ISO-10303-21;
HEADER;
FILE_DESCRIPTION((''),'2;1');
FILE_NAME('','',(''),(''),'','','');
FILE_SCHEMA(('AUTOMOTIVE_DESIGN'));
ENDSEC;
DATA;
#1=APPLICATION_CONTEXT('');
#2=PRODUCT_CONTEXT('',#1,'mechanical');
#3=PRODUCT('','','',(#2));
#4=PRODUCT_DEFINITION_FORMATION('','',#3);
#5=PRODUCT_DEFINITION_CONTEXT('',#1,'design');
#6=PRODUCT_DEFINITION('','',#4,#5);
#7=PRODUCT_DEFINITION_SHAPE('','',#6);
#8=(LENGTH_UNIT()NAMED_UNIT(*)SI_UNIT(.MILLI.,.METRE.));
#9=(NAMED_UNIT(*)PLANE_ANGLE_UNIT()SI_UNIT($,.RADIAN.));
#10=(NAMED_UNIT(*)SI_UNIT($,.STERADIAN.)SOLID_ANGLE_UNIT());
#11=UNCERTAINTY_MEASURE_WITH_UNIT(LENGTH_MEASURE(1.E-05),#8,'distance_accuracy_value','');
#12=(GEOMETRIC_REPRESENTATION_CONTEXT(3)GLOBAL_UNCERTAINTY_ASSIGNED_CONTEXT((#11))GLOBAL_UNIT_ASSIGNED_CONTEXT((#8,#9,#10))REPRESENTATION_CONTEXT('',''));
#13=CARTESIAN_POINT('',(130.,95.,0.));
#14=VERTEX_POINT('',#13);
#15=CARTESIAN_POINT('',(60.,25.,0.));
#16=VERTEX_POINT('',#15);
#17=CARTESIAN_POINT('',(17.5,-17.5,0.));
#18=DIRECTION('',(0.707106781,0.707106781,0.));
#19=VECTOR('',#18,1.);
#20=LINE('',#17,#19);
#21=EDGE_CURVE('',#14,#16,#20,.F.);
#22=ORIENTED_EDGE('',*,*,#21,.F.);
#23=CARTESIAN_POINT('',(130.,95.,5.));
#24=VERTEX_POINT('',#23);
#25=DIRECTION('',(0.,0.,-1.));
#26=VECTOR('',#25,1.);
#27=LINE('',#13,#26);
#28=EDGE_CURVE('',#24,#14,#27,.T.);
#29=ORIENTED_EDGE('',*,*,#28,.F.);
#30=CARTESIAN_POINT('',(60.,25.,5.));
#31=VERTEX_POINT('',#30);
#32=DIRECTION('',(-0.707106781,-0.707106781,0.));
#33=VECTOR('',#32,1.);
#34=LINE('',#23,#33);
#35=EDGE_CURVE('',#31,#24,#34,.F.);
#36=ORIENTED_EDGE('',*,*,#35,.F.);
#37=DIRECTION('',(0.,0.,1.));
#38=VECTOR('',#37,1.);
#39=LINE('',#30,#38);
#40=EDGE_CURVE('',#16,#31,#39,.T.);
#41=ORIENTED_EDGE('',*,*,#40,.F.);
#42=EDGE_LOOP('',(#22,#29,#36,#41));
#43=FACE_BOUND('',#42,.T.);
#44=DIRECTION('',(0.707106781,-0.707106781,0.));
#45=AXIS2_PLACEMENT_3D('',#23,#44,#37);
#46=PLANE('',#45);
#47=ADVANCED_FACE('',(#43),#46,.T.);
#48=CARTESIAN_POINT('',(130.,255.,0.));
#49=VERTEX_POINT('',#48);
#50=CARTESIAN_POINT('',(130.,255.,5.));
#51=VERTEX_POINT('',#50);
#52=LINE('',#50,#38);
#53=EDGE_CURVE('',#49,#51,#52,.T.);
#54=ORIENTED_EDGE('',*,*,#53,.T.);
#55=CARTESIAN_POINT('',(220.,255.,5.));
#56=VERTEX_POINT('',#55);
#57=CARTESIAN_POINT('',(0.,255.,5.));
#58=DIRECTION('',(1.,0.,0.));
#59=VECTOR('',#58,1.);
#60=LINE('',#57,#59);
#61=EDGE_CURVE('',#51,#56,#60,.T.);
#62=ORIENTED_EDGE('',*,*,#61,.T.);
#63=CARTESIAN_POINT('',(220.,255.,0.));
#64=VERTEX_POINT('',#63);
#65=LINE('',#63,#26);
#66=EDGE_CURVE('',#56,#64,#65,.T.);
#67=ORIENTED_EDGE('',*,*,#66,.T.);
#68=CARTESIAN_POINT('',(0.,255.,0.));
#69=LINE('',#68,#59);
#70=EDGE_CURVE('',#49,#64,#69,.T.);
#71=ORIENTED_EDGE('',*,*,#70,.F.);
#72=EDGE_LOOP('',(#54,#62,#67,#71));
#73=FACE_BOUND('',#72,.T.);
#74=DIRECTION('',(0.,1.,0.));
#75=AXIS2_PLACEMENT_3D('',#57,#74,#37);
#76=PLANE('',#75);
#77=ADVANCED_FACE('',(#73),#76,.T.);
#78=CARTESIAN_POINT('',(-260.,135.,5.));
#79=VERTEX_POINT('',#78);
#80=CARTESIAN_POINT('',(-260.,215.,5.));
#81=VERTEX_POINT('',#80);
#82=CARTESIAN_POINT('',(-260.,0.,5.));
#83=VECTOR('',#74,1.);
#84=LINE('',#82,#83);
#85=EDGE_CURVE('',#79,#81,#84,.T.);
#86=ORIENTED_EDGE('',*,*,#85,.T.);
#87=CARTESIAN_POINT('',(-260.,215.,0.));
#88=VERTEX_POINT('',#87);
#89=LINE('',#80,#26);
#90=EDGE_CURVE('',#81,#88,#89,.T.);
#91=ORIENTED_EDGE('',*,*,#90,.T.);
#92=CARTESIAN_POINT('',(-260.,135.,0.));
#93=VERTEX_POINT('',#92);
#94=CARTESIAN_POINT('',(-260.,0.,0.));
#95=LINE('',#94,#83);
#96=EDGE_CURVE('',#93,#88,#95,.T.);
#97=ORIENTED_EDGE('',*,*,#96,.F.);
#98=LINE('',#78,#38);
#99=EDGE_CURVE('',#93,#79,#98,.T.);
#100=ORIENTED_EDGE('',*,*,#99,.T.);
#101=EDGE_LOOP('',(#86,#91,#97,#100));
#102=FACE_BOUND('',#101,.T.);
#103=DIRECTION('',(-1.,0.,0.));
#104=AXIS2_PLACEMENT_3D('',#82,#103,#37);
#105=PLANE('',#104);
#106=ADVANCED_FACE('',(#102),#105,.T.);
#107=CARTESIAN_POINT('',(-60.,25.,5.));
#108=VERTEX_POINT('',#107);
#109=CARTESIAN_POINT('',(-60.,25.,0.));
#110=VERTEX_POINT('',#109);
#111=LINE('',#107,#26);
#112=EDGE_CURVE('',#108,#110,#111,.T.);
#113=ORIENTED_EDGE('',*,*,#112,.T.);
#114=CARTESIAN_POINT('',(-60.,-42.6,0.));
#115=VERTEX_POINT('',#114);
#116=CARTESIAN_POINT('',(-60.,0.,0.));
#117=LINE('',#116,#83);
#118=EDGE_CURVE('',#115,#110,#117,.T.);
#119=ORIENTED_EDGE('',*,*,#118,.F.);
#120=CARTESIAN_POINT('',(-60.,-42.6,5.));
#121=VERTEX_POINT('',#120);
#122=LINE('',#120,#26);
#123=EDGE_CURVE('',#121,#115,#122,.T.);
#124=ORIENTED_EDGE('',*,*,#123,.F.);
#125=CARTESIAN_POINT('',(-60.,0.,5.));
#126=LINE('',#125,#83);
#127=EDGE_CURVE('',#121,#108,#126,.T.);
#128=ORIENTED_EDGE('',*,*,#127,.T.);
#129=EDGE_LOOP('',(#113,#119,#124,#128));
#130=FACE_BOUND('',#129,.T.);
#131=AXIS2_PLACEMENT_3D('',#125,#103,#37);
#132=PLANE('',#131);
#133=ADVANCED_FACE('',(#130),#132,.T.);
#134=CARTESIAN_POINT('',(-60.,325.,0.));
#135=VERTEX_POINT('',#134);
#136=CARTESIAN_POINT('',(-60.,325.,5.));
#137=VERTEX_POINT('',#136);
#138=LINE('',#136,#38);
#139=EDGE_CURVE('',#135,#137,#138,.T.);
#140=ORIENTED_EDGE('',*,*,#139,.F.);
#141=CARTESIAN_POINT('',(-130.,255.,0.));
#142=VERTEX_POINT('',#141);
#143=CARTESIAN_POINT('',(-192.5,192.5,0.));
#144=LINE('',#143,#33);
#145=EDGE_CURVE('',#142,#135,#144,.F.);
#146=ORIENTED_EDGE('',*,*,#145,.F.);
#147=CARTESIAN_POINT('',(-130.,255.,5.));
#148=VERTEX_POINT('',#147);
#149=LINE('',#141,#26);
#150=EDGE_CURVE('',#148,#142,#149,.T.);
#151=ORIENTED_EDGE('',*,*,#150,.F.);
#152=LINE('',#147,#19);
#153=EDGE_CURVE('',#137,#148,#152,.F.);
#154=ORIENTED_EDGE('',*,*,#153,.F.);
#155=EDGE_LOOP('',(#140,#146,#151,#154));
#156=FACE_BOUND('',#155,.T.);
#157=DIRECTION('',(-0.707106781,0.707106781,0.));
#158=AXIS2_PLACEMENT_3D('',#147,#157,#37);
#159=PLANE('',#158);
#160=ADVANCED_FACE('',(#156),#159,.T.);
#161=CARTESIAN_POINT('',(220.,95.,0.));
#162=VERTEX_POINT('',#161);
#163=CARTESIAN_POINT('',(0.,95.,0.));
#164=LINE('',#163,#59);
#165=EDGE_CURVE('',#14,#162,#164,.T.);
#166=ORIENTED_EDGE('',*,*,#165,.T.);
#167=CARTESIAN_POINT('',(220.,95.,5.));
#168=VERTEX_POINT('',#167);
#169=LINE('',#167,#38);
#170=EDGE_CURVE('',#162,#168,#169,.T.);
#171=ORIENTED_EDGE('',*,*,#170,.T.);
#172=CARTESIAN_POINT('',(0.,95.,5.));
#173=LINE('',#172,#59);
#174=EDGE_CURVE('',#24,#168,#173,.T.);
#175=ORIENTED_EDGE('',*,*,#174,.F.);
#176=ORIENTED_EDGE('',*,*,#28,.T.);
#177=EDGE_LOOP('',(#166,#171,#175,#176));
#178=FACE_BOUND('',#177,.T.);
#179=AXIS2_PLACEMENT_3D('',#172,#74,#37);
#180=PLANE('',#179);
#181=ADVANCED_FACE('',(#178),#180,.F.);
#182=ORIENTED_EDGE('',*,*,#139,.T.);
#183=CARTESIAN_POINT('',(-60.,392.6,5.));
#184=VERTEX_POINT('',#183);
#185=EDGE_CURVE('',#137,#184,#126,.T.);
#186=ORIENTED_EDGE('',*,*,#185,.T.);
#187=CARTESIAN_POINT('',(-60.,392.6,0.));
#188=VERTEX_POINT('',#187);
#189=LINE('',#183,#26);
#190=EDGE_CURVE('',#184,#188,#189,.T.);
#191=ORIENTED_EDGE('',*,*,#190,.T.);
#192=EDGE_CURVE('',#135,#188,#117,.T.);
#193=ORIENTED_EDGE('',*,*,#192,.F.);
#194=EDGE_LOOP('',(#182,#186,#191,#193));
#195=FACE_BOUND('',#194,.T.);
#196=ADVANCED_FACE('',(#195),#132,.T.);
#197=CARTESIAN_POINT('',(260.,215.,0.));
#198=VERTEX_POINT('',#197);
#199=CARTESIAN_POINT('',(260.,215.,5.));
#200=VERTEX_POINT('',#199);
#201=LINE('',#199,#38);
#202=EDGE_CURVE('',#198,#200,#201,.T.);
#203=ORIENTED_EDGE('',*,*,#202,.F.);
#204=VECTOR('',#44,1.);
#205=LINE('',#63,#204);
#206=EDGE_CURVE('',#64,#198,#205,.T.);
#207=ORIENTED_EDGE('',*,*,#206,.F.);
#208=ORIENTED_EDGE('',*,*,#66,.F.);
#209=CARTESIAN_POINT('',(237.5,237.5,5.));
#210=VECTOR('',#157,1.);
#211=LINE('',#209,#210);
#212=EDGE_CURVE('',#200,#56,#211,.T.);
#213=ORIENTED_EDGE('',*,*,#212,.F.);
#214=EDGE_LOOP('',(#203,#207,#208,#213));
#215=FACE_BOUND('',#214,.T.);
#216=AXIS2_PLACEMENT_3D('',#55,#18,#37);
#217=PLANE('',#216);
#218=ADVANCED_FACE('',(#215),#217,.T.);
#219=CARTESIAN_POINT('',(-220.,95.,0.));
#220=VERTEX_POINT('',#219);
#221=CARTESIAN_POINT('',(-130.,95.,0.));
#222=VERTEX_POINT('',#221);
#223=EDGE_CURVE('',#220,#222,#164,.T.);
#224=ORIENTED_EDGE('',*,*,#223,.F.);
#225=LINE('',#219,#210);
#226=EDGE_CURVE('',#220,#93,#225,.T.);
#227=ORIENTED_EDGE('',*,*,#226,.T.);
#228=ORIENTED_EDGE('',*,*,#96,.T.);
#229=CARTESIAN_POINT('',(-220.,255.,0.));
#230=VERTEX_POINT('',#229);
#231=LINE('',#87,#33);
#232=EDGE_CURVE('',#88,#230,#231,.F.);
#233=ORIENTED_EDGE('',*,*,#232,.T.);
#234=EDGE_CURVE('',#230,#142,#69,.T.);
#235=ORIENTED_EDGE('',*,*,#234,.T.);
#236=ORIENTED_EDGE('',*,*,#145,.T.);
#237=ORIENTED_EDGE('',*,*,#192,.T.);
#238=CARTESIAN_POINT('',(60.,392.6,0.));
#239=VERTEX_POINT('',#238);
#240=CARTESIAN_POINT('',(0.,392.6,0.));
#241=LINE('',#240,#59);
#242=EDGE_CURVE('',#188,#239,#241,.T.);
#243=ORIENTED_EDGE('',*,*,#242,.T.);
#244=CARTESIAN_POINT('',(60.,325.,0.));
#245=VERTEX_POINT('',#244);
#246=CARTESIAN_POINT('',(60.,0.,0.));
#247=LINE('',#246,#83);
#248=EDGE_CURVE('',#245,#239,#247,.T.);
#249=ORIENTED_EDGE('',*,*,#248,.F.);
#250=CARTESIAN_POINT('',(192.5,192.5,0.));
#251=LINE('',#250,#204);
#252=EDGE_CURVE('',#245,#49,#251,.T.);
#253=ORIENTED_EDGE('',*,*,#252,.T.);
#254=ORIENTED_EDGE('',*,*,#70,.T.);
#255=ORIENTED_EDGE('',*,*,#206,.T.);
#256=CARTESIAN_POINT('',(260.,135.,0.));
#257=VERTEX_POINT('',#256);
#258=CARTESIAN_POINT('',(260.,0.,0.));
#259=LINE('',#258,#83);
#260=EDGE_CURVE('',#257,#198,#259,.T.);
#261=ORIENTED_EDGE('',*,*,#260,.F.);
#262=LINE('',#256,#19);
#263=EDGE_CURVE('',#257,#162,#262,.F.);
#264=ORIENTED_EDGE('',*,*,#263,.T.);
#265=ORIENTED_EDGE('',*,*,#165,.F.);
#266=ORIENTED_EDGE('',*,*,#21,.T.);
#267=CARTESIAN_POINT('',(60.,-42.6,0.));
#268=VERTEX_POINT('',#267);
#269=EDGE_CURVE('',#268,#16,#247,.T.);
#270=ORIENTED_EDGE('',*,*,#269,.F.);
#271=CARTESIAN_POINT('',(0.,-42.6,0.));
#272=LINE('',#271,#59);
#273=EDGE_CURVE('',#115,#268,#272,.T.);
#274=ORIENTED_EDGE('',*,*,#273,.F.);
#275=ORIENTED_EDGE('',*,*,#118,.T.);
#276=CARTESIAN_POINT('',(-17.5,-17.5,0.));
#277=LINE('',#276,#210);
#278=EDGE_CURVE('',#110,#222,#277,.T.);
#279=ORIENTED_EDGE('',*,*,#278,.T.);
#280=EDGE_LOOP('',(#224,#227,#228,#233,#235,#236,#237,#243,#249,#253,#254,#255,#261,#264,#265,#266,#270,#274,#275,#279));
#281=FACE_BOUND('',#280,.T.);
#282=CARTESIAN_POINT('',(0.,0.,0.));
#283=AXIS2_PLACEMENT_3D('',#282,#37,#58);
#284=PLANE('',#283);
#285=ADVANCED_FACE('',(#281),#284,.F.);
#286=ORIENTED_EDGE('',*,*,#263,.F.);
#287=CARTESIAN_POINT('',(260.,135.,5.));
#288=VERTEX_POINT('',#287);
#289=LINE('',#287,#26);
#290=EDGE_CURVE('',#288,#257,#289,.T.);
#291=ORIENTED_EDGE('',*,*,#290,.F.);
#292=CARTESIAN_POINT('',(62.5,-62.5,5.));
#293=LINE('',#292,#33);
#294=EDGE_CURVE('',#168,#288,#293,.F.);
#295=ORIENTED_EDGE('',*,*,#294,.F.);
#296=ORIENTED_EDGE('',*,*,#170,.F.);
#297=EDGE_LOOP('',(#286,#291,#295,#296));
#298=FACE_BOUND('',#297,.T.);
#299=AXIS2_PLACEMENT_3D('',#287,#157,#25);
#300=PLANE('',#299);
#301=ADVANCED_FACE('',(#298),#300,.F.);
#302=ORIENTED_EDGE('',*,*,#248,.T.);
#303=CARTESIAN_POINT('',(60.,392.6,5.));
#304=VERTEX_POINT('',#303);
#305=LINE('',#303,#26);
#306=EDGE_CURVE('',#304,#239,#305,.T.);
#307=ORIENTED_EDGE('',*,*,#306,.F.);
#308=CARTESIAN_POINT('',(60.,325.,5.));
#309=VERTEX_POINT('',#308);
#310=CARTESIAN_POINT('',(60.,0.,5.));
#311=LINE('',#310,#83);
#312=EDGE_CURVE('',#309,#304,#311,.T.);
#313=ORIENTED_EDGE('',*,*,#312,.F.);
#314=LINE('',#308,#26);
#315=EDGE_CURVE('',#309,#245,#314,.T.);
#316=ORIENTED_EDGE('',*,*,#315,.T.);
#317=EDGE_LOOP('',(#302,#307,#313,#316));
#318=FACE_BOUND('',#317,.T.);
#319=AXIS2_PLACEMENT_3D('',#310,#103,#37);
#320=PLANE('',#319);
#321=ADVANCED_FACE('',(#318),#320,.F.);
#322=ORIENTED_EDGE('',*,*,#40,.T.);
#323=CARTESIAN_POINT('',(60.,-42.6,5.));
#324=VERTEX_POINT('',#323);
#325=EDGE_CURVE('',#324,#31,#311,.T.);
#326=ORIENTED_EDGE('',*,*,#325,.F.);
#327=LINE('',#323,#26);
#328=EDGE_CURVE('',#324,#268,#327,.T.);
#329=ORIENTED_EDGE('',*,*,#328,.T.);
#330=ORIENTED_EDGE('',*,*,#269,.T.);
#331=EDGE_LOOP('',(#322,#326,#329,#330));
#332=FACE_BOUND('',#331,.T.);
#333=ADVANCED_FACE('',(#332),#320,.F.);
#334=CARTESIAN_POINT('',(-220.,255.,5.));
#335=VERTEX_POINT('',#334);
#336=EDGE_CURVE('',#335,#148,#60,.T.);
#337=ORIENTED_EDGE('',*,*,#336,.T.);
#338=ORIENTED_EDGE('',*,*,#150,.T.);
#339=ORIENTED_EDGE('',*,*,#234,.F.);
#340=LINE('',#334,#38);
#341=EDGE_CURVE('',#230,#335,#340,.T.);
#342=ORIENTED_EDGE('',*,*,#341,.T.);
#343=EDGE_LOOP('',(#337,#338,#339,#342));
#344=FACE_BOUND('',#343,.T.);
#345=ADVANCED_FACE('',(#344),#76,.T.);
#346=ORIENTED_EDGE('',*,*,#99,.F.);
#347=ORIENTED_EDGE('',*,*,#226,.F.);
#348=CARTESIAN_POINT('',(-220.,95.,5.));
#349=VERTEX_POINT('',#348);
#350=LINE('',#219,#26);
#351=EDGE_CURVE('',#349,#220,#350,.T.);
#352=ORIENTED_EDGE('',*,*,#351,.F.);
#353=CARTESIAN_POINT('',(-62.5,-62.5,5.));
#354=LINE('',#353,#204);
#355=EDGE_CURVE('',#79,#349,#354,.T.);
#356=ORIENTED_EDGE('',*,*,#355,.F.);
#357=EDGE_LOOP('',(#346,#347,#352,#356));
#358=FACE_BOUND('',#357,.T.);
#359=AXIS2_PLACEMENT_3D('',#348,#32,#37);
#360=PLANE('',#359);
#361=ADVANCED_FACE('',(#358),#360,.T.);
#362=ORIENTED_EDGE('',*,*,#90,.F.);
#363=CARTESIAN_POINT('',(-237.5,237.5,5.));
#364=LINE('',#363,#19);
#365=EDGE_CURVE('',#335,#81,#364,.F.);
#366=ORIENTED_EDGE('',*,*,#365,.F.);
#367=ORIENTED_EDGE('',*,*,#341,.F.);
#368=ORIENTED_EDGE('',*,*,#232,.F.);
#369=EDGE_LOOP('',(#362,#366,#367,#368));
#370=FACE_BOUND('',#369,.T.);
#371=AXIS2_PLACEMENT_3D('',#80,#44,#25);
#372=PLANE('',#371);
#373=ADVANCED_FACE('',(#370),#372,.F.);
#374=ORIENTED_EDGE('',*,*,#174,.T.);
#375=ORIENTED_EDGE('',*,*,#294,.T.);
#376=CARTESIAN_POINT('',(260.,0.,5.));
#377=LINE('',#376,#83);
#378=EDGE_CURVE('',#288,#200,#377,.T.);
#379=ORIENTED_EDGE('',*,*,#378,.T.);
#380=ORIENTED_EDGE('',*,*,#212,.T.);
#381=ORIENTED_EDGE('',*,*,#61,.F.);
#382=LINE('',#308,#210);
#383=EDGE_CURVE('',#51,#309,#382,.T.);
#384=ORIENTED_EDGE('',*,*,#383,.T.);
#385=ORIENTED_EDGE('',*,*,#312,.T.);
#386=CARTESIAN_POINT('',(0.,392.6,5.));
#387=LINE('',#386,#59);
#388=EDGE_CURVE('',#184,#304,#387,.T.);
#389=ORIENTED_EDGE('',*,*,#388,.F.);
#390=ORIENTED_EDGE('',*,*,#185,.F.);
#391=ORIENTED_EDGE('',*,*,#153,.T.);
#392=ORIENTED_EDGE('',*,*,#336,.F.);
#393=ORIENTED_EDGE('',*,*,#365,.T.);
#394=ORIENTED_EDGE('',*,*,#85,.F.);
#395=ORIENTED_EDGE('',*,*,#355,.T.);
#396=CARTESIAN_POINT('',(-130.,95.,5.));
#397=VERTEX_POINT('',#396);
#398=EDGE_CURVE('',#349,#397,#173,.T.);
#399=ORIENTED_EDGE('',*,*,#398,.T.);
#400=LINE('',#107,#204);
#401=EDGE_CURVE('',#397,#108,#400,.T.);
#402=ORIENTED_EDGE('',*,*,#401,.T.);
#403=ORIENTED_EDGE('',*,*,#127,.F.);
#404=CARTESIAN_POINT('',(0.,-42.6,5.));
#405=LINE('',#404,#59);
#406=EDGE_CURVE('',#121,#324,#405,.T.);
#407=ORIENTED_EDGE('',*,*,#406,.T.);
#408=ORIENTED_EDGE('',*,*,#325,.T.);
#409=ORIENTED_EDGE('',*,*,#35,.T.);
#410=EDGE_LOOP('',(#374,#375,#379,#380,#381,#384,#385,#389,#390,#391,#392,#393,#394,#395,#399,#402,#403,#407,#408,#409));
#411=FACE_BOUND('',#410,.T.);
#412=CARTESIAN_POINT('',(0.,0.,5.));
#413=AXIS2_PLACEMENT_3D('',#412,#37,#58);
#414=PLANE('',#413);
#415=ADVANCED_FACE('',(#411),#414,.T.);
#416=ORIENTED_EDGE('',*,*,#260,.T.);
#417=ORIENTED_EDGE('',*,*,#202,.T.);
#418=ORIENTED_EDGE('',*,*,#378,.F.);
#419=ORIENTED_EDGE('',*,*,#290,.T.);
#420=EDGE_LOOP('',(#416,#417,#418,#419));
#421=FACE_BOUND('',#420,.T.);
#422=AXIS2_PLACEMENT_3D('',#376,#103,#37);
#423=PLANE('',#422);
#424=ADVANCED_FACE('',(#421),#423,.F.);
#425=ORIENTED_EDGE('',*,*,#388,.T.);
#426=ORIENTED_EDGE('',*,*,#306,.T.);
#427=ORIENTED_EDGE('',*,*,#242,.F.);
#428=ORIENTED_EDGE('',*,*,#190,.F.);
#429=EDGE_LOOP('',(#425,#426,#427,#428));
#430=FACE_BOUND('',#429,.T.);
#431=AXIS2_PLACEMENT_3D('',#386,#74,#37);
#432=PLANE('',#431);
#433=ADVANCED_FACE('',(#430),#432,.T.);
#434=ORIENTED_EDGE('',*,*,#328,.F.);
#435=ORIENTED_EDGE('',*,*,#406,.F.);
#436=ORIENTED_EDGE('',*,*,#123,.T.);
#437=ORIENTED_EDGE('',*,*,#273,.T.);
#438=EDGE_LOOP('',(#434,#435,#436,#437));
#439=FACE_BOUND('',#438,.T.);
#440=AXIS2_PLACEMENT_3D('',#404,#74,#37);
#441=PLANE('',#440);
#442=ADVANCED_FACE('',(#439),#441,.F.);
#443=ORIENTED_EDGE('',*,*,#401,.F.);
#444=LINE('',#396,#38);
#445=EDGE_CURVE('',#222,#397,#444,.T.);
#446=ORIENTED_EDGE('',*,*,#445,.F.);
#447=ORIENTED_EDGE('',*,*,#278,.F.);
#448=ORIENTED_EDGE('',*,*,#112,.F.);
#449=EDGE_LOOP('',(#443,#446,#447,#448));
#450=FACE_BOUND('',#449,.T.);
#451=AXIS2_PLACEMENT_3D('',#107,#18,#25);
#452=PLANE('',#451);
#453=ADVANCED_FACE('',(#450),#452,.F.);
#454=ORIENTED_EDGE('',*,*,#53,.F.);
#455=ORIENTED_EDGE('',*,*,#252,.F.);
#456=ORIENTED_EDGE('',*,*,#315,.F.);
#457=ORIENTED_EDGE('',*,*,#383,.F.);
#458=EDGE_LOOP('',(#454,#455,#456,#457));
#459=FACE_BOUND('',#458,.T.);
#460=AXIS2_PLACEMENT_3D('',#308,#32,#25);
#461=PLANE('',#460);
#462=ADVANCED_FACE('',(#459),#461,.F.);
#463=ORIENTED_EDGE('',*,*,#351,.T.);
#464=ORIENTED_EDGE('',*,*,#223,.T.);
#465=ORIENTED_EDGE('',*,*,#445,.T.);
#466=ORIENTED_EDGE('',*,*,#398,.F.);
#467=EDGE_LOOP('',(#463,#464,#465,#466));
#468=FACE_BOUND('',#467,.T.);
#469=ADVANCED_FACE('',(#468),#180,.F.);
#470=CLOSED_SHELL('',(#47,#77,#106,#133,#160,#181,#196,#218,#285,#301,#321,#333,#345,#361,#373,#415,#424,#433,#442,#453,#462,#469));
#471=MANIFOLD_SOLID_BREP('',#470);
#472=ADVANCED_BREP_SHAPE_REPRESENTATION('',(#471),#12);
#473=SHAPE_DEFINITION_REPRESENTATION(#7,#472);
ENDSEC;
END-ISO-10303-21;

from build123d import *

# Parameters (mm, degrees)
SKETCH1_W           = 120
SKETCH1_H           = 137.6
SKETCH1_W_2         = 200
SKETCH1_H_2         = 160
BOSS_EXTRUDE1_DEPTH = 5
CHAMFER1_SIZE       = 70
CHAMFER2_SIZE       = 40


with BuildPart() as part:
    # Sketch1 → Boss-Extrude1 (new body)
    with BuildSketch(Plane.XY):
        with Locations((0, 323.8)):
            Rectangle(SKETCH1_W, SKETCH1_H)
        with Locations((-160, 175)):
            Rectangle(SKETCH1_W_2, SKETCH1_H_2)
        with Locations((0, 175)):
            Rectangle(SKETCH1_W, SKETCH1_H_2)
        with Locations((160, 175)):
            Rectangle(SKETCH1_W_2, SKETCH1_H_2)
        with Locations((0, 26.2)):
            Rectangle(SKETCH1_W, SKETCH1_H)
    extrude(amount=BOSS_EXTRUDE1_DEPTH)

    # Chamfer1
    chamfer1_edges = [part.edges().sort_by_distance(p)[0] for p in [
        (60, 255, 2.5),
        (60, 95, 2.5),
        (-60, 95, 2.5),
        (-60, 255, 2.5),
    ]]
    chamfer(chamfer1_edges, length=CHAMFER1_SIZE)

    # Chamfer2
    chamfer2_edges = [part.edges().sort_by_distance(p)[0] for p in [
        (260, 255, 2.5),
        (260, 95, 2.5),
        (-260, 95, 2.5),
        (-260, 255, 2.5),
    ]]
    chamfer(chamfer2_edges, length=CHAMFER2_SIZE)


solid = part.part
